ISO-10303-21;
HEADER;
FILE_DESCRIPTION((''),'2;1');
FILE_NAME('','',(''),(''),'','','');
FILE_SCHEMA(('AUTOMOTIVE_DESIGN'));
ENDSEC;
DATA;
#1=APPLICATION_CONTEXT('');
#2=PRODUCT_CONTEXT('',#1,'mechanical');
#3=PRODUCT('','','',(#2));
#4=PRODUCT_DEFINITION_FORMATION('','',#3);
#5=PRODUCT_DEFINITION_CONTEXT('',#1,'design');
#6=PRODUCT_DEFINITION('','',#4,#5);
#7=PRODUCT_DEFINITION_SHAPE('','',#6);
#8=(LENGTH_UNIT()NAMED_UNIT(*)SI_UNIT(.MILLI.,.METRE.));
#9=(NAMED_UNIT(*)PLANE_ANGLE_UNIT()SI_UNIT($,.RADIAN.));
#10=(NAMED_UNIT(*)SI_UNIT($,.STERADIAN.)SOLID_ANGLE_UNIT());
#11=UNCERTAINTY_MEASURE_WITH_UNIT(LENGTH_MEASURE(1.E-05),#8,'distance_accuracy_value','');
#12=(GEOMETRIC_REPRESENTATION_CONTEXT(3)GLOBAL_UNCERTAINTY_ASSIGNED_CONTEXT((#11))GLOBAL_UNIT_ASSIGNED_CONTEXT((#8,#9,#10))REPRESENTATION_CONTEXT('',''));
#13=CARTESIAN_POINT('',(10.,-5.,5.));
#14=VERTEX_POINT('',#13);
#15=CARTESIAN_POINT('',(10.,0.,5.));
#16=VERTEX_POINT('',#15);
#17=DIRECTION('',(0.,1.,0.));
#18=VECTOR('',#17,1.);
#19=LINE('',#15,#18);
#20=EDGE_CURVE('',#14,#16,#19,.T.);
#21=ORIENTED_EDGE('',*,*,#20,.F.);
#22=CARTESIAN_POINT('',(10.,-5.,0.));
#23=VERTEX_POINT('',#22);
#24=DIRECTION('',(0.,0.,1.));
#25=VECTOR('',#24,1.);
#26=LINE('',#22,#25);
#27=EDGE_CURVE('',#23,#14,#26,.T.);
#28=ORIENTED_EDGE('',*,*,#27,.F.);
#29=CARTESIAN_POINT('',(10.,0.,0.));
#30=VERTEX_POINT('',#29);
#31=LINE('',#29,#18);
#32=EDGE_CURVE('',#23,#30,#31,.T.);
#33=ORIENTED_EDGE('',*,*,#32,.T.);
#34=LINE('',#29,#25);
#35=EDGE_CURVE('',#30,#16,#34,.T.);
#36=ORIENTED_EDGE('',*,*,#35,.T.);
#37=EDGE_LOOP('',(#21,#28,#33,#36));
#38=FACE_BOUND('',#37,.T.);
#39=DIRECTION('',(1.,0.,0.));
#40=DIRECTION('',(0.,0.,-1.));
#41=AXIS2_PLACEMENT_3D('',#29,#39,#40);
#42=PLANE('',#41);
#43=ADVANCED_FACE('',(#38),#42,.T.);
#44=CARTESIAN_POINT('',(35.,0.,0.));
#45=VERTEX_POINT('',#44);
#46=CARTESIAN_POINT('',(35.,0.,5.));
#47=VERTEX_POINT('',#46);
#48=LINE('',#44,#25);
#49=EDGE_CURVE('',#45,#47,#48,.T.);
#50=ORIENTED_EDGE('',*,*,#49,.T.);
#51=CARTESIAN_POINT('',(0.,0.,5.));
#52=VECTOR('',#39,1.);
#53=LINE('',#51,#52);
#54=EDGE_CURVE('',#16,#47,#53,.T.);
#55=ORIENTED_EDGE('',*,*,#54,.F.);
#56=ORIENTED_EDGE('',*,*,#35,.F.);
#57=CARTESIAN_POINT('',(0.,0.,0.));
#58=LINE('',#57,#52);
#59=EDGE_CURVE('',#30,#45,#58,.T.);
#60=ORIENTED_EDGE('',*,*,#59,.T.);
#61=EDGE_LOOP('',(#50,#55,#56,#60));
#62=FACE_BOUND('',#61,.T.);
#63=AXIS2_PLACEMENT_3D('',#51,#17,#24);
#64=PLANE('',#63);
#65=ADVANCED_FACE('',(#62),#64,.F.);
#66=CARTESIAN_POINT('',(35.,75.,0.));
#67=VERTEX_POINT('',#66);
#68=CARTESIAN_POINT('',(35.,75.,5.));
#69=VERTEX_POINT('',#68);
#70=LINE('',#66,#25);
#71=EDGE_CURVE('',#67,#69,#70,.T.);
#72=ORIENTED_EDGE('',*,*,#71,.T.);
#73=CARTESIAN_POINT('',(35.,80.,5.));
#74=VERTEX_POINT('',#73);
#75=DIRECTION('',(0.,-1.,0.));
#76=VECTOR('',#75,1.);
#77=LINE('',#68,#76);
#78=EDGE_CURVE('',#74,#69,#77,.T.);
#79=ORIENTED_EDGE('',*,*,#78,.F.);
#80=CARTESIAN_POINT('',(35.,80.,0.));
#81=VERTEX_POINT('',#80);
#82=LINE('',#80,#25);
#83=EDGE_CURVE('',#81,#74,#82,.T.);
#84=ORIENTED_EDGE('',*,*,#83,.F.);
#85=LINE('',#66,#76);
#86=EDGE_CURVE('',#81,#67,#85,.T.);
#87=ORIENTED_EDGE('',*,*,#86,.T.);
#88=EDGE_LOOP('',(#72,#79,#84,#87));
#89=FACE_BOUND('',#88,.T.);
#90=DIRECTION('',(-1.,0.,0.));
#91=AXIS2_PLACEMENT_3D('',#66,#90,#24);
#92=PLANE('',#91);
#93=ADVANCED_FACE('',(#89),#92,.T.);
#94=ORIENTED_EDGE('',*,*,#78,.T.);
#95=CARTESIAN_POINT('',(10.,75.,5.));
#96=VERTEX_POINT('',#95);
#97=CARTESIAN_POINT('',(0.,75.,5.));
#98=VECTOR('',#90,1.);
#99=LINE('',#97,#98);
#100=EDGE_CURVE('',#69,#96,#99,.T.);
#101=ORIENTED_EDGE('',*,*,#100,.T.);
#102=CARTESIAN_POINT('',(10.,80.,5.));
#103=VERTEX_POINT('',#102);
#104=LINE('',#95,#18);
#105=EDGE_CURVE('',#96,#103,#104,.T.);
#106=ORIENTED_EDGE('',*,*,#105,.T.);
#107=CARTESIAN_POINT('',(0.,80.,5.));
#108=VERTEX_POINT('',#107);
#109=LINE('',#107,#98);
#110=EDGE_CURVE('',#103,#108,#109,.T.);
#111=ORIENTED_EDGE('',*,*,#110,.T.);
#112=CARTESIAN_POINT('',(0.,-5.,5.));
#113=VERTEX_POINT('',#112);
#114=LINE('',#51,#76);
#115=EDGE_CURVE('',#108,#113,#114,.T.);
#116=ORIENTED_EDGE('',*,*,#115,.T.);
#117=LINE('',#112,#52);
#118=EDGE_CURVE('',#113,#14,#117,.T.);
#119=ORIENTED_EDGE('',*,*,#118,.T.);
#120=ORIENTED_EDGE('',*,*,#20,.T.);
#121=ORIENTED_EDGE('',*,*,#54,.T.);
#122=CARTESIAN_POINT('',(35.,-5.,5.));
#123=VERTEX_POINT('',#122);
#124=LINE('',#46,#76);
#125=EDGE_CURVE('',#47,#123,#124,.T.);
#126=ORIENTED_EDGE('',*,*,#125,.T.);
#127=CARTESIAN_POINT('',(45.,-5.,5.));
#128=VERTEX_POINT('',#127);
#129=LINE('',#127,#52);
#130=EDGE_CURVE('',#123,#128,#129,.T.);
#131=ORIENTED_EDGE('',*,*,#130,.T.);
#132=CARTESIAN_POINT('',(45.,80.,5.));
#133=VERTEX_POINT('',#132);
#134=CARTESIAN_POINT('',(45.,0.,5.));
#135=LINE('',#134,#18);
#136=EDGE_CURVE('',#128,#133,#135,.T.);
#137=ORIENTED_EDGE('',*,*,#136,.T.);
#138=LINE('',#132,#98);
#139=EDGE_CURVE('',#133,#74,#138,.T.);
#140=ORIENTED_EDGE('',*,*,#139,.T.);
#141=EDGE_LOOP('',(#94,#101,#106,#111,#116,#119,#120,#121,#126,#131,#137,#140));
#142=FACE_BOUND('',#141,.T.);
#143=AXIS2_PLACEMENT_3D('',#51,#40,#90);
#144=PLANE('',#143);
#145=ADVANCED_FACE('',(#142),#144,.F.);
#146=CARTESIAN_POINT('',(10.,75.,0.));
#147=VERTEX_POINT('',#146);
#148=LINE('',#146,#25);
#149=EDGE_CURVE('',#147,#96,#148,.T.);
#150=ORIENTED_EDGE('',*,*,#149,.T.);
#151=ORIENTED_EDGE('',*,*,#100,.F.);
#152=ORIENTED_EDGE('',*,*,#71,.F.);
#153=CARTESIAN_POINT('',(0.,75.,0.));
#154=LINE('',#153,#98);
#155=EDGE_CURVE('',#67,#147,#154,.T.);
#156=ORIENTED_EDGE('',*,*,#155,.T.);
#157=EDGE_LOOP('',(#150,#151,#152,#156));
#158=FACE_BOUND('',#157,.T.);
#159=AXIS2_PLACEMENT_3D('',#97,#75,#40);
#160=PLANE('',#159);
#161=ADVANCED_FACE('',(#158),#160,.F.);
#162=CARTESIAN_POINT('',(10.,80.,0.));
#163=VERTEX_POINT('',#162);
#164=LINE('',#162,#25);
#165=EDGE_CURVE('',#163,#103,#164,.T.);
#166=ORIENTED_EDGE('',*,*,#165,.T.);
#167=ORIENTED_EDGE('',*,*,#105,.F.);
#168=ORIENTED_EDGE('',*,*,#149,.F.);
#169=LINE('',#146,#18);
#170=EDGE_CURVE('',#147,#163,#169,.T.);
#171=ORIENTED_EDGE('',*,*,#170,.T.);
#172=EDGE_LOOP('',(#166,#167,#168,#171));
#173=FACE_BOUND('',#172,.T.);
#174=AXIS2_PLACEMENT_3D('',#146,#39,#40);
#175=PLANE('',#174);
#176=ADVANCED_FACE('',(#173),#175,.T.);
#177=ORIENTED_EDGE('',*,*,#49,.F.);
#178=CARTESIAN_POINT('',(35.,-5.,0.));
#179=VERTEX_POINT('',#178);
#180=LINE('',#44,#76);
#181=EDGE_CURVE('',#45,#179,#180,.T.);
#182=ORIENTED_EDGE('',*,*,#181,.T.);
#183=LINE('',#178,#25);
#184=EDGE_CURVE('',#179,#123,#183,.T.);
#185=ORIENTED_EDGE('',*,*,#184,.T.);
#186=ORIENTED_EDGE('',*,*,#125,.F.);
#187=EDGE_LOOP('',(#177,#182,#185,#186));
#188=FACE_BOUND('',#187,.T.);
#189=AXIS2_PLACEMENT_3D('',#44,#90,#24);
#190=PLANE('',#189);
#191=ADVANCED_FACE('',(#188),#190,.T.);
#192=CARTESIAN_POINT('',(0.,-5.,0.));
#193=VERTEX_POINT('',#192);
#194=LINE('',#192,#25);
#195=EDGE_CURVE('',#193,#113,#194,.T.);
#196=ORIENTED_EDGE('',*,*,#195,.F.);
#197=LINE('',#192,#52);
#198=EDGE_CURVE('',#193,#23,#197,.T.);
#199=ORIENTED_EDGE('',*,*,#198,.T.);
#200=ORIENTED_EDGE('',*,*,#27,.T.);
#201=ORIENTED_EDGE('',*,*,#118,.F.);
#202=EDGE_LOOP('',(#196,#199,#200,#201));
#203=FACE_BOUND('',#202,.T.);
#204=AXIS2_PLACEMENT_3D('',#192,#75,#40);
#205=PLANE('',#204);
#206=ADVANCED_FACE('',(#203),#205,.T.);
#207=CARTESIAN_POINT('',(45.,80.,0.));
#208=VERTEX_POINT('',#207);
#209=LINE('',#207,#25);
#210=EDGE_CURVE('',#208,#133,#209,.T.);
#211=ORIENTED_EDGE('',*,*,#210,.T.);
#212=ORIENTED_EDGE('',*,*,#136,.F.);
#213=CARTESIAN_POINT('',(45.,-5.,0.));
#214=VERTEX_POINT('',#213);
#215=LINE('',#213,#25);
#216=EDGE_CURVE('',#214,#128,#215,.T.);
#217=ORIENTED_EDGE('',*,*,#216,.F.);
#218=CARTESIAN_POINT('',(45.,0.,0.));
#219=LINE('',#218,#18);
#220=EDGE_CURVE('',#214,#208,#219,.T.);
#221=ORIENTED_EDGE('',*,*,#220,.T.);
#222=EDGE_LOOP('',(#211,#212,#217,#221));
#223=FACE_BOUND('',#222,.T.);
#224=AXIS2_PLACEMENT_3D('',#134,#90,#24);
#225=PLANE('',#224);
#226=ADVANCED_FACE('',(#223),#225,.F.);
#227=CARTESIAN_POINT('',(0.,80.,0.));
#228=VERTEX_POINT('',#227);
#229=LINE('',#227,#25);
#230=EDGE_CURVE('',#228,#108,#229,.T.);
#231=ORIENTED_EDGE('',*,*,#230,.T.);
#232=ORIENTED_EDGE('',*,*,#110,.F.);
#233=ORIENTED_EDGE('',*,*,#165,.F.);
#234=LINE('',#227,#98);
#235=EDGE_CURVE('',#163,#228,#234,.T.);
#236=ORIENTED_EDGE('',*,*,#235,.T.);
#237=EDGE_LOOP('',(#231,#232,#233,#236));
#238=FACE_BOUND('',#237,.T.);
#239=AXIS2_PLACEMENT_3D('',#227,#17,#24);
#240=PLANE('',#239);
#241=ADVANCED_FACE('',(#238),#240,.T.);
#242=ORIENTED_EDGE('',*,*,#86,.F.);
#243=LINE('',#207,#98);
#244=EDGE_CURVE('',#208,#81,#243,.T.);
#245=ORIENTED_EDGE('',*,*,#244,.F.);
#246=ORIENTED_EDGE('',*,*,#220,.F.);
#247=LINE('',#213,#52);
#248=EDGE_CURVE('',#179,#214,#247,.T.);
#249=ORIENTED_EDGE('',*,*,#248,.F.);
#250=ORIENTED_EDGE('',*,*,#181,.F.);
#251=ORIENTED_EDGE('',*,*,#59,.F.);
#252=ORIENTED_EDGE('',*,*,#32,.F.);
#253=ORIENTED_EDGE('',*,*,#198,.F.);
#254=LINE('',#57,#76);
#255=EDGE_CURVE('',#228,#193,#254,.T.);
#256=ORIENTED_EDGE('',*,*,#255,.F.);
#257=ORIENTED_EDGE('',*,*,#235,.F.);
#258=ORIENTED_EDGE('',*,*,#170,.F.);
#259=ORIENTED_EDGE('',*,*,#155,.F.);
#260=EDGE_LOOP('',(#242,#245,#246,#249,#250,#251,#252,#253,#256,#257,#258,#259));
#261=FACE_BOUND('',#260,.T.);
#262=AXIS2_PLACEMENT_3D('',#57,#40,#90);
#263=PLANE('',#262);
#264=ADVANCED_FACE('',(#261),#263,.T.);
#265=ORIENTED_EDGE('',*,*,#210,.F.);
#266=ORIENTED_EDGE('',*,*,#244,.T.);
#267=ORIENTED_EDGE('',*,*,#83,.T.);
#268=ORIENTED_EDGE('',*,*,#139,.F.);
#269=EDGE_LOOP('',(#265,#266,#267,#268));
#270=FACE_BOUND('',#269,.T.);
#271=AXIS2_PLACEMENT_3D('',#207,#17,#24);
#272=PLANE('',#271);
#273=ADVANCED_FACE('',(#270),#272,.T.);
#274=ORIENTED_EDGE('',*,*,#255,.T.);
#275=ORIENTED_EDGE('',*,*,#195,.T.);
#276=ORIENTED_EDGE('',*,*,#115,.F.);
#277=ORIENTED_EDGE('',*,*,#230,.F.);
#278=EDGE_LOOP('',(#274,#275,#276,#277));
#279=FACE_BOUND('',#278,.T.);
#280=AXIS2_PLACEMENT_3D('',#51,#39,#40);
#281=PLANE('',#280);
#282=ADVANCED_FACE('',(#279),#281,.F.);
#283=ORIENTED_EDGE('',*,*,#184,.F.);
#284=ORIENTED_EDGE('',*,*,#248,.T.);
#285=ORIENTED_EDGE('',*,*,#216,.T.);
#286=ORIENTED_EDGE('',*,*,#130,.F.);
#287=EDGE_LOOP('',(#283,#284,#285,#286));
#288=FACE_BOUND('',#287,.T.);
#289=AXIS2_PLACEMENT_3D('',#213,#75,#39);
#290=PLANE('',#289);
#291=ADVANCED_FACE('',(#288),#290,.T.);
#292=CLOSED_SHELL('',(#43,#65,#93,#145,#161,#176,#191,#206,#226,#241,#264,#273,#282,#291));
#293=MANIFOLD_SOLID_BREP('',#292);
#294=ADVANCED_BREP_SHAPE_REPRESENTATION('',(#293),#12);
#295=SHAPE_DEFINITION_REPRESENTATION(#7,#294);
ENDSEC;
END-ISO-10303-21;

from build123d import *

# Parameters (mm, degrees)
ESQUISSE1_W        = 45
ESQUISSE1_H        = 75
BOSS_EXTRU_1_DEPTH = 5
ESQUISSE2_W        = 10
ESQUISSE2_H        = 5
BOSS_EXTRU_2_DEPTH = 5


with BuildPart() as part:
    # Esquisse1 → Boss.-Extru.1 (new body)
    with BuildSketch(Plane.XY):
        with Locations((22.5, 37.5)):
            Rectangle(ESQUISSE1_W, ESQUISSE1_H)
    extrude(amount=BOSS_EXTRU_1_DEPTH)

    # Esquisse2 → Boss.-Extru.2 (add)
    with BuildSketch(Plane.XY.offset(5)):
        with Locations((5, 77.5)):
            Rectangle(ESQUISSE2_W, ESQUISSE2_H)
        with Locations((40, 77.5)):
            Rectangle(ESQUISSE2_W, ESQUISSE2_H)
        with Locations((5, -2.5)):
            Rectangle(ESQUISSE2_W, ESQUISSE2_H)
        with Locations((40, -2.5)):
            Rectangle(ESQUISSE2_W, ESQUISSE2_H)
    extrude(amount=-BOSS_EXTRU_2_DEPTH)


solid = part.part
